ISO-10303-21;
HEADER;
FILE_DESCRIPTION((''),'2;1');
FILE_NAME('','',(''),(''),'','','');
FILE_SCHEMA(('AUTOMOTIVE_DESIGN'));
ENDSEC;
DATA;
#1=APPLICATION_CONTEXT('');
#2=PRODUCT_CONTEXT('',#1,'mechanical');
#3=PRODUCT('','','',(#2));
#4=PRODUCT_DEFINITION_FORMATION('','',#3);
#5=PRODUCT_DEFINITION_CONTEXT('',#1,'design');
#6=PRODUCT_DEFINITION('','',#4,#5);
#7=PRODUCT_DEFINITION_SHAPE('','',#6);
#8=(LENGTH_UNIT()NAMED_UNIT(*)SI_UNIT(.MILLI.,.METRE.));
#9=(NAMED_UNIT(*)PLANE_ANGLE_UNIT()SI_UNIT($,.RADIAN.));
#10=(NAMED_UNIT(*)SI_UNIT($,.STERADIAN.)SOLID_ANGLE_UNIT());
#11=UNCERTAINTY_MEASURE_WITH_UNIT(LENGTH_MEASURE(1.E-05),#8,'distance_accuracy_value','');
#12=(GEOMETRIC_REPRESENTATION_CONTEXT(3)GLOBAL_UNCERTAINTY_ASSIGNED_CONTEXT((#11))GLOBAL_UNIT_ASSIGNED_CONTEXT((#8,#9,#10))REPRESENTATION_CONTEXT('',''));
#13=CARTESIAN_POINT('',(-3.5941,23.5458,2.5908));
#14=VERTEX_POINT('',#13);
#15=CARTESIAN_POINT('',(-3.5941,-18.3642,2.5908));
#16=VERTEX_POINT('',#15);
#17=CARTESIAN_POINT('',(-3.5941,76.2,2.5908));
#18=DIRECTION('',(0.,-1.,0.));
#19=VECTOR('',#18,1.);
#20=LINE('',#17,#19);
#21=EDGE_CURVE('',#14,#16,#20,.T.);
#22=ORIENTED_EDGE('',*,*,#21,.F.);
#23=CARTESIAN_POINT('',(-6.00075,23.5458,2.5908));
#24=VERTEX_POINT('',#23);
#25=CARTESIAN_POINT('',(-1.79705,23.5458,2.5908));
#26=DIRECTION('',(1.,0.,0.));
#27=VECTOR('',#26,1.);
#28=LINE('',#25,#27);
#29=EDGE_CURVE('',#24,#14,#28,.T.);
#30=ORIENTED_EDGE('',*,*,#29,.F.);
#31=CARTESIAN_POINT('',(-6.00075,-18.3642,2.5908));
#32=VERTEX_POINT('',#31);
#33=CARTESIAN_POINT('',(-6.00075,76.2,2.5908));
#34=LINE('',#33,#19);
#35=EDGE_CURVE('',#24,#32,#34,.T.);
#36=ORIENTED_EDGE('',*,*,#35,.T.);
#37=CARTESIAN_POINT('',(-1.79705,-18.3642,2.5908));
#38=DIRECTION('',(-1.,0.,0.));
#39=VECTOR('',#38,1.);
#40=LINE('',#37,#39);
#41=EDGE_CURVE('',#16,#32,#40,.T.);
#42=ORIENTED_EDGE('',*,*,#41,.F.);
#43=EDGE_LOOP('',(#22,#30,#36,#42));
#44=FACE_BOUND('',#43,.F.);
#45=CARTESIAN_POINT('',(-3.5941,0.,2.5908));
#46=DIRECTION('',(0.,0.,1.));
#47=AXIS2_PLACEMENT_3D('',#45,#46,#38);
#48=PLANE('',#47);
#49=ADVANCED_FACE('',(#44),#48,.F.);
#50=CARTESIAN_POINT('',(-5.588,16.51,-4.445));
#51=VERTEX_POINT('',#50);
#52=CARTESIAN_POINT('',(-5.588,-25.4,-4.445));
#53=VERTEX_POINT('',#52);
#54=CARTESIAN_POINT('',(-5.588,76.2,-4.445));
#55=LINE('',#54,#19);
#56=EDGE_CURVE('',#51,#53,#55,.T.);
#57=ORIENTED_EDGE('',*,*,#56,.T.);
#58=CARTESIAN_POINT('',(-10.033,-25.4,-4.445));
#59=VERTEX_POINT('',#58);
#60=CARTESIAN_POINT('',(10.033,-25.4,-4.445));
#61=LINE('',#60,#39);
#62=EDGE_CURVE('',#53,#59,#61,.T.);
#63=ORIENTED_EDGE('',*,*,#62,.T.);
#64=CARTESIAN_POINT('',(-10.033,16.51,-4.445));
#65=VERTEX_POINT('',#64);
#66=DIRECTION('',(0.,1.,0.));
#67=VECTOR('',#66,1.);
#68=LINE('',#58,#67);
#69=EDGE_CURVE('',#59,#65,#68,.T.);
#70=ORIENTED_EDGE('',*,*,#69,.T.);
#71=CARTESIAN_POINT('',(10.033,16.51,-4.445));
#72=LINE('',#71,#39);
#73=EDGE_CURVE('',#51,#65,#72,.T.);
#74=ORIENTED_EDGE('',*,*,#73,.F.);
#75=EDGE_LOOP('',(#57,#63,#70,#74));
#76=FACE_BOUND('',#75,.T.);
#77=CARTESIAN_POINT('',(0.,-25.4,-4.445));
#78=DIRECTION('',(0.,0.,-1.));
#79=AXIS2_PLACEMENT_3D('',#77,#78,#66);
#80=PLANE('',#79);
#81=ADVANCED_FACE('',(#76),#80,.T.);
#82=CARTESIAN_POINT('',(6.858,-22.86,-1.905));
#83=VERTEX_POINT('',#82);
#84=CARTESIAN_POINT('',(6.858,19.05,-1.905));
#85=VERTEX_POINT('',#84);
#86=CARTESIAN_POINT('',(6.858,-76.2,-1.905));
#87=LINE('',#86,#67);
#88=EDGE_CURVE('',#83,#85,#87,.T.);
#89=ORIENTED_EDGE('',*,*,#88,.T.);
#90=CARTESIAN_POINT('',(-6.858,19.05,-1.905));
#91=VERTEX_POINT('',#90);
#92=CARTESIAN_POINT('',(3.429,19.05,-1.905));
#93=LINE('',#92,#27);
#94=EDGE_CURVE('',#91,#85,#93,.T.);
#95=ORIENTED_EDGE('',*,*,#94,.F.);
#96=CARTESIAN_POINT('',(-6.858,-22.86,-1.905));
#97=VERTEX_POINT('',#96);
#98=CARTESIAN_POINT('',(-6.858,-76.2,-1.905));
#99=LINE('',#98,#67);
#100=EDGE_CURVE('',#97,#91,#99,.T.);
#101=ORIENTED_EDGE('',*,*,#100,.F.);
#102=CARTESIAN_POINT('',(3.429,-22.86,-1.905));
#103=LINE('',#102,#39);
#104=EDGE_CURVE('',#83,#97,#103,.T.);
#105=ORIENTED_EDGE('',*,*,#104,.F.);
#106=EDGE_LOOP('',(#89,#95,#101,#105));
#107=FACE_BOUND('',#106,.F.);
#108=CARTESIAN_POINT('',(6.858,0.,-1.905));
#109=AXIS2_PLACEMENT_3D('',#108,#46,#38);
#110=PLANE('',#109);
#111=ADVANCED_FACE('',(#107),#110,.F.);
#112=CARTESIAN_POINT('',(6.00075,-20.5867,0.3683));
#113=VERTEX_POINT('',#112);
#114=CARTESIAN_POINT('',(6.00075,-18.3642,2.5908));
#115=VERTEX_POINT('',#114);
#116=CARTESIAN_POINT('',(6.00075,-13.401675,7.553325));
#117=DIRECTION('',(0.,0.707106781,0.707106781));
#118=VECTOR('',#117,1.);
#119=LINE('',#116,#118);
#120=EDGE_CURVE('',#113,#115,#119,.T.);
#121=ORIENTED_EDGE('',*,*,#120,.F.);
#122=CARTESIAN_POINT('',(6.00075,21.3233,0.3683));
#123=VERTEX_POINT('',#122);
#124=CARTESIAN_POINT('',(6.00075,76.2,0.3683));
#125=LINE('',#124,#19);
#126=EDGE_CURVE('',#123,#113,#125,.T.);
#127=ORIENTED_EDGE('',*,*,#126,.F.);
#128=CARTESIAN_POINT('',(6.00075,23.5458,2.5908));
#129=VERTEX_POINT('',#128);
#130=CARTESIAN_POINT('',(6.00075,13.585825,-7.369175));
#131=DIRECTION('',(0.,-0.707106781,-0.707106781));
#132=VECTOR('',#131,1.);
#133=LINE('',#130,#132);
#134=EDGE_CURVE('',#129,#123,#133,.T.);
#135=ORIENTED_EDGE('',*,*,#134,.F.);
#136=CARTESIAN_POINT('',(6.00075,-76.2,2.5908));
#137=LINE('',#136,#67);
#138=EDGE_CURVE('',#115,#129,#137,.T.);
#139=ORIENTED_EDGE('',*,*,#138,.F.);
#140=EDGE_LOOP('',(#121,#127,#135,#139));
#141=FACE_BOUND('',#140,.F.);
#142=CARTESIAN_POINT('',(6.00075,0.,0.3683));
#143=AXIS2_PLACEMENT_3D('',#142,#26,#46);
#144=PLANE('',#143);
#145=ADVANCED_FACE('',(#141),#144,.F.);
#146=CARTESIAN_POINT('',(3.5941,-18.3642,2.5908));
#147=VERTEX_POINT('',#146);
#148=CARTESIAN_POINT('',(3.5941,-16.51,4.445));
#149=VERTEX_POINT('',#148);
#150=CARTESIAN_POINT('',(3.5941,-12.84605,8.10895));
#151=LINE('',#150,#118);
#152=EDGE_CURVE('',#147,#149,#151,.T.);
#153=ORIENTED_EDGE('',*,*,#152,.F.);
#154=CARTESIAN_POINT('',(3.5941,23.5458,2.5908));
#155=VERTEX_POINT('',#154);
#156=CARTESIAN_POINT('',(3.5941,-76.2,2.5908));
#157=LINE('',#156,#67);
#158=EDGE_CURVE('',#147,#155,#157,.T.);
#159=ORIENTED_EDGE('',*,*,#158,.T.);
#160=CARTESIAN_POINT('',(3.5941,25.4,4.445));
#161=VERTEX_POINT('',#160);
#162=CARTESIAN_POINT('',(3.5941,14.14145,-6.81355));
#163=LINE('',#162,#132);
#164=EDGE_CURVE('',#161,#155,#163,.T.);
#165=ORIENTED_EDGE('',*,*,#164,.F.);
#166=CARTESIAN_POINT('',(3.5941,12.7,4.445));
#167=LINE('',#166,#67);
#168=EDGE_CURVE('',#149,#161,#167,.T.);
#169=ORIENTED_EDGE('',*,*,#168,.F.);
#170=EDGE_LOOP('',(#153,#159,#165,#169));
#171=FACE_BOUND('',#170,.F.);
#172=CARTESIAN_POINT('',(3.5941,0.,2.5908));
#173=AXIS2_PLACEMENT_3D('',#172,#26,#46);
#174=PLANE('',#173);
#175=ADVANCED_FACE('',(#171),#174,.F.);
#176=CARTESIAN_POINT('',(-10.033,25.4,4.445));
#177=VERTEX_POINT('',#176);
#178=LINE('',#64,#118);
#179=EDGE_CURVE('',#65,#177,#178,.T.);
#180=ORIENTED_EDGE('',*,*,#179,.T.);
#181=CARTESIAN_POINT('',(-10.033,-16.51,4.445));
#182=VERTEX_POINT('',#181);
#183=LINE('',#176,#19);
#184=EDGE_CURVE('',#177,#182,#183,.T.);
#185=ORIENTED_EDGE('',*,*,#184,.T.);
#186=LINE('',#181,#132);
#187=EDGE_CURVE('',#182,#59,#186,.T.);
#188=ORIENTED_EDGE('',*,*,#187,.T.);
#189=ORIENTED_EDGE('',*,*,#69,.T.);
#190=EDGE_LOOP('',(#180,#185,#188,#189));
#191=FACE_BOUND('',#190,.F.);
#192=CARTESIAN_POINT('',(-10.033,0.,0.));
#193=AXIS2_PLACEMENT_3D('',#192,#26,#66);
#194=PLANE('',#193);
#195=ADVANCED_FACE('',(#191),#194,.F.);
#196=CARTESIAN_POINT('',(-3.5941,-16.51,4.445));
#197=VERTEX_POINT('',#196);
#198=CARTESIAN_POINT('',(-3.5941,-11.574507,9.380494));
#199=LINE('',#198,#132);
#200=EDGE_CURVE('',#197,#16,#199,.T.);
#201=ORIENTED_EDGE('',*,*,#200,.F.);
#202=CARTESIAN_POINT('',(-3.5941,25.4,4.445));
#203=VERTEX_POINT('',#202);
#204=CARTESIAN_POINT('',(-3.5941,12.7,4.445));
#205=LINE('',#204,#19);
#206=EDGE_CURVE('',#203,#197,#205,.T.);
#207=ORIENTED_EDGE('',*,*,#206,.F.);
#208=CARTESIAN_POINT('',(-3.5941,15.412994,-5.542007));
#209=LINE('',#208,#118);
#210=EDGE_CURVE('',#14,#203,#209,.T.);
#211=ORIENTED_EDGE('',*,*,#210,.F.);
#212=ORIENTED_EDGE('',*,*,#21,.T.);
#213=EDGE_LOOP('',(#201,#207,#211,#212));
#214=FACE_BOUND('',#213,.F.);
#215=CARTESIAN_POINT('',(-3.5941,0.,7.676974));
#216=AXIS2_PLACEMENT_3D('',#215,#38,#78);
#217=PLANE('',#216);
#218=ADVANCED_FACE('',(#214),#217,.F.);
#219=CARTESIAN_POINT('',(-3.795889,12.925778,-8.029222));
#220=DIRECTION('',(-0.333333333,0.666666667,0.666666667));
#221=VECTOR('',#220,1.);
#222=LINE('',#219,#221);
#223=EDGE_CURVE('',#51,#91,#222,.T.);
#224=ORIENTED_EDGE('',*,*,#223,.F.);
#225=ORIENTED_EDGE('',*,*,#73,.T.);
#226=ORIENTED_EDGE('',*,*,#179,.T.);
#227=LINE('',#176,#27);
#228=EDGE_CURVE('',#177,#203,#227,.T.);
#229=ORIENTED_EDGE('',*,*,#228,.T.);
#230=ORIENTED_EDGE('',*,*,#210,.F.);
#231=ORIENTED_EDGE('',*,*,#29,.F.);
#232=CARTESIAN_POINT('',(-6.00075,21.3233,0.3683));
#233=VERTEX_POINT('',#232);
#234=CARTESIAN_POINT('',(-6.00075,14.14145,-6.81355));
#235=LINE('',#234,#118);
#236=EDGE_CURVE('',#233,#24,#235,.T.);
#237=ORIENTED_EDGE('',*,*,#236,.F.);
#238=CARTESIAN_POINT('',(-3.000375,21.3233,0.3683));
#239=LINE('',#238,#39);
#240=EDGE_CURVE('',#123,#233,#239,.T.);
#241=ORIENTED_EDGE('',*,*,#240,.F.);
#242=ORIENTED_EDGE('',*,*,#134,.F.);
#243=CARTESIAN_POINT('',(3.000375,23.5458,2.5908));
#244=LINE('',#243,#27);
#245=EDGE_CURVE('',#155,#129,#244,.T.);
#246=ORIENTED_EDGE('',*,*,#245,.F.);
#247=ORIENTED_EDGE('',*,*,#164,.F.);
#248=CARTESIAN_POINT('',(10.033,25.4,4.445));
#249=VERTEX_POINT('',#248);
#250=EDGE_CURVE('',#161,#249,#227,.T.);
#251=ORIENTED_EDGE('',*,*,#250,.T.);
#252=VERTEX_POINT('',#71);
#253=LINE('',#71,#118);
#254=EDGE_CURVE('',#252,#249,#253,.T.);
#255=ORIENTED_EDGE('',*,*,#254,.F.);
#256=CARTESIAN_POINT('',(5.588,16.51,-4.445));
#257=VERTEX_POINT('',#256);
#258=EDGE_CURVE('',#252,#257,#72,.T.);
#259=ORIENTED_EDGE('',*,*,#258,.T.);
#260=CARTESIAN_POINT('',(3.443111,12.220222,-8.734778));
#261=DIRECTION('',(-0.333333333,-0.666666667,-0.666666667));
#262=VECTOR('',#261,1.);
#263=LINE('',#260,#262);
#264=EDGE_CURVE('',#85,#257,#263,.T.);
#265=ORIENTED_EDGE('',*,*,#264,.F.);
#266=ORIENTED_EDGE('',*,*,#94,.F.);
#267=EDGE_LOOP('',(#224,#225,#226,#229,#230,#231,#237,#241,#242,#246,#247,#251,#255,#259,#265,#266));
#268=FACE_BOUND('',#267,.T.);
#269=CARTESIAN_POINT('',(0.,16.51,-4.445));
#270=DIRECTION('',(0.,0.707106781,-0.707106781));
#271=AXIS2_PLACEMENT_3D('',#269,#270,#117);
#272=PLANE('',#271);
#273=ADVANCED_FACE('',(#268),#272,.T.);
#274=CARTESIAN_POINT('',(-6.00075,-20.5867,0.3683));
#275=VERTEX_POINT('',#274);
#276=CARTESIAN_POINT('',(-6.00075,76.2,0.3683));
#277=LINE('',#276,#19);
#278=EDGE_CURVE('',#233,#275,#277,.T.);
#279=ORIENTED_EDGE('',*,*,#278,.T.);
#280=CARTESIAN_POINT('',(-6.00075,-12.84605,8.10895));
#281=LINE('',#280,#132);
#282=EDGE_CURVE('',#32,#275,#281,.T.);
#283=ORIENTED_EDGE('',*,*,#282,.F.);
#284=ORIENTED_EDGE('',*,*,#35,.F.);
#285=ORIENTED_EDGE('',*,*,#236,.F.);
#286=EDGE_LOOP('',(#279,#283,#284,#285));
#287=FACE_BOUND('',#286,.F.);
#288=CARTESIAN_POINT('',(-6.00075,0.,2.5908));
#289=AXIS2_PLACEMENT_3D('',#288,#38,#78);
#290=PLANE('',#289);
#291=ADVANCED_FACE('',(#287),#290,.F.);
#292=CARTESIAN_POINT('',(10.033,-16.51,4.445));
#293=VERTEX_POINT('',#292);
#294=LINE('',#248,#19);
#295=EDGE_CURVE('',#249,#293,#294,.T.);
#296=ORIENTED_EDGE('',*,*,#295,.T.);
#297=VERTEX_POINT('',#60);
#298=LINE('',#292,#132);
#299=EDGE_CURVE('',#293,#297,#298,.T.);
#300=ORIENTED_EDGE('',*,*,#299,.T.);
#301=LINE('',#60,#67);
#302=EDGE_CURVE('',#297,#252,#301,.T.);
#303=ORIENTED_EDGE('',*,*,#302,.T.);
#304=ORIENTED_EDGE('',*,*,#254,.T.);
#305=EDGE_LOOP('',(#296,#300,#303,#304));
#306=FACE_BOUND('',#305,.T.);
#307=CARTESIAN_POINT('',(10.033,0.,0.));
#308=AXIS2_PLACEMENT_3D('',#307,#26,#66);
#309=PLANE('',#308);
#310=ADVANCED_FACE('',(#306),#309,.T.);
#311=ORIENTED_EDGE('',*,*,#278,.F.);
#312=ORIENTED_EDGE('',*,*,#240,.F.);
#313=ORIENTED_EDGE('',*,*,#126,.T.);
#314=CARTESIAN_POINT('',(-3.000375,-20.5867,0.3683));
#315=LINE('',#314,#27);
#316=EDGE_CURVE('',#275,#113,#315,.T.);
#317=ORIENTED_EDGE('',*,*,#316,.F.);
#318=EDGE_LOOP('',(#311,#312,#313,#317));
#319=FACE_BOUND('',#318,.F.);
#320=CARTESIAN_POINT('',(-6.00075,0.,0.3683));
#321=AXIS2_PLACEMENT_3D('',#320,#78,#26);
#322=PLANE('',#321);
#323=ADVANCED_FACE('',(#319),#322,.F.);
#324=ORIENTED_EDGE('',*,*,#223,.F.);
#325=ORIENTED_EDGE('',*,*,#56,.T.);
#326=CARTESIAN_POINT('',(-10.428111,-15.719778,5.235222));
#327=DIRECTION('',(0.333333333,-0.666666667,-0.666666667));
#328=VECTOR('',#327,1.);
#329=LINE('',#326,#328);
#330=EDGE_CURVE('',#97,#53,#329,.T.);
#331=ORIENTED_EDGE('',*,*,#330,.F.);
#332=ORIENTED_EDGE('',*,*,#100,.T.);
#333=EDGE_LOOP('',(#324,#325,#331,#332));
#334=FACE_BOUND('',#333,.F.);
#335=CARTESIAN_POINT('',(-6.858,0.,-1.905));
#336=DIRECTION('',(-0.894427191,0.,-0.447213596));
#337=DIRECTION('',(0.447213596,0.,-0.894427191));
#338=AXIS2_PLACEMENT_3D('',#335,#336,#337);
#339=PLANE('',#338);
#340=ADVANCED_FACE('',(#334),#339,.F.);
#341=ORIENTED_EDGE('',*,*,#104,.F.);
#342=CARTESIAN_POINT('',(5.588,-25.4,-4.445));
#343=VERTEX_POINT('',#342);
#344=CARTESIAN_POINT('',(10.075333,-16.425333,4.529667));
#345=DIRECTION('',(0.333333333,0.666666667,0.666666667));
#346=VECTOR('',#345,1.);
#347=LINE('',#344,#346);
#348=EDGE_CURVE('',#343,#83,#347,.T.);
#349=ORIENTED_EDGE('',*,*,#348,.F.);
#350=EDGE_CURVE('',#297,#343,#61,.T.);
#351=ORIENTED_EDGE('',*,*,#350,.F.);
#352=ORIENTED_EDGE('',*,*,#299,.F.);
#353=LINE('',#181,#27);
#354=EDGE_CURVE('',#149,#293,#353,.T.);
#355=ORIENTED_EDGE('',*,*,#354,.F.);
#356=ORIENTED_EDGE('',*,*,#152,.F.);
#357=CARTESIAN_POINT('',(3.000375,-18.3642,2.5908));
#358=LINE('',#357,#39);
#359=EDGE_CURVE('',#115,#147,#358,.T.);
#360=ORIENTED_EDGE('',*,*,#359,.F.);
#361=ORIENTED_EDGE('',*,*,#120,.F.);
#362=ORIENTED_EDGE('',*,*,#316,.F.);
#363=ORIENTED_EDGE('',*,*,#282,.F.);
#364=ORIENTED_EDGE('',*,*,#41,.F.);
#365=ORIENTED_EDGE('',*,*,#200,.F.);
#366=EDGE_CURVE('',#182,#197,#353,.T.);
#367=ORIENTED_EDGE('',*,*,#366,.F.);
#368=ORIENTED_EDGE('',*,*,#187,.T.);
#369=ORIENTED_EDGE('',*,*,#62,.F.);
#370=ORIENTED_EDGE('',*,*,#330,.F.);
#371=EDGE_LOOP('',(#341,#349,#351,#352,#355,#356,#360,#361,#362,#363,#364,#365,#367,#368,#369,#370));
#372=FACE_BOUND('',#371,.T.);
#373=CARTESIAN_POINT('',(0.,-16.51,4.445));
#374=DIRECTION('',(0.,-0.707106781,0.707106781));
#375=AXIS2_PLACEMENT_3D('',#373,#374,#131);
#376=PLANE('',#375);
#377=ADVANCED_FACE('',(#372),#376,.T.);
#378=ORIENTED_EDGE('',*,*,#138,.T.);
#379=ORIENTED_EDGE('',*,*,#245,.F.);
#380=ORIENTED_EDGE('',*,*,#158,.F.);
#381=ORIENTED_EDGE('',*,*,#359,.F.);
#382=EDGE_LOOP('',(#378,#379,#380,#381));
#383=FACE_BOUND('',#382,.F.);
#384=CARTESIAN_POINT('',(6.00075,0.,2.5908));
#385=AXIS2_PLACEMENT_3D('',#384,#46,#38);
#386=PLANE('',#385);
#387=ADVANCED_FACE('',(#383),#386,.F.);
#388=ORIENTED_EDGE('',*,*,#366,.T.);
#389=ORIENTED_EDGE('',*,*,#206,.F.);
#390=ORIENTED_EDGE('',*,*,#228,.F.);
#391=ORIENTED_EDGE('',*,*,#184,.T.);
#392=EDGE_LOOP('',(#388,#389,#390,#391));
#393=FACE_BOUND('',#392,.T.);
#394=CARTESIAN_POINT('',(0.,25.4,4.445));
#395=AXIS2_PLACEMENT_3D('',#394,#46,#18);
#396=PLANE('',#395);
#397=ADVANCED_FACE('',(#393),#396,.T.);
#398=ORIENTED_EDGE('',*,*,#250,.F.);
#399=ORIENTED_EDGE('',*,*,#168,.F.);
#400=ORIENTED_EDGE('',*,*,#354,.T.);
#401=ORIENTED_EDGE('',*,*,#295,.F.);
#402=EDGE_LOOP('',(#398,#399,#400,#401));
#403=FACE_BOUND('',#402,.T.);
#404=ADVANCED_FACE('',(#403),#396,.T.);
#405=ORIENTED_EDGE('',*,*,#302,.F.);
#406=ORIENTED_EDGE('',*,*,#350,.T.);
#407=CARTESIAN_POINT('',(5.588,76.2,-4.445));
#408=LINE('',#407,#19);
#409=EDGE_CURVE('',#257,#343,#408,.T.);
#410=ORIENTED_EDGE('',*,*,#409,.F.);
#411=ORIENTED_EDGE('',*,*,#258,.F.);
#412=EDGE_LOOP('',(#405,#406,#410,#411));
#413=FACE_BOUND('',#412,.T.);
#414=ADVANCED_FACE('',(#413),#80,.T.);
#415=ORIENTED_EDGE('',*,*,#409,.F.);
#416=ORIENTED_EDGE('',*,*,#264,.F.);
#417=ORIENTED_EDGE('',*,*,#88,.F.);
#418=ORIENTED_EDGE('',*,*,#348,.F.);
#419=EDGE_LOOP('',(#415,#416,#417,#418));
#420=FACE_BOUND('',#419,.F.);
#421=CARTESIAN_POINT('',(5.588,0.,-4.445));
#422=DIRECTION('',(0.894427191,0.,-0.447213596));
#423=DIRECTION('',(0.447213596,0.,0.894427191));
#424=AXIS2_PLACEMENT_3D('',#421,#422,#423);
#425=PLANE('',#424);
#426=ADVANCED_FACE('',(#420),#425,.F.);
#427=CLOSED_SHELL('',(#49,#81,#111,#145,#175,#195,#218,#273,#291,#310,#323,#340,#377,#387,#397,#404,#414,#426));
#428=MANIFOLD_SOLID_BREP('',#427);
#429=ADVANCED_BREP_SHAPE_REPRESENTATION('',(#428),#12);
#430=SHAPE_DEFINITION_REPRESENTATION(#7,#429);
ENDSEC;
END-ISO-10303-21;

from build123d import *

# Parameters (mm, degrees)
F1_DEPTH = 10.033
F3_DEPTH = 76.2
F5_DEPTH = 76.2


with BuildPart() as f1:
    # F0 (on Right) → F1 (new body, symmetric)
    with BuildSketch(Plane.YZ):
        Polygon((16.51, -4.445), (25.4, 4.445), (-16.51, 4.445), (-25.4, -4.445), align=None)
    extrude(amount=F1_DEPTH, both=True)

    # F2 (on Front) → F3 (cut, symmetric)
    with BuildSketch(Plane.XZ):
        Polygon((3.5941, 7.676974), (-3.5941, 7.676974), (-3.5941, 2.5908), (-6.00075, 2.5908), (-6.00075, 0.3683), (6.00075, 0.3683), (6.00075, 2.5908), (3.5941, 2.5908), align=None)
    extrude(amount=F3_DEPTH, both=True, mode=Mode.SUBTRACT)

    # F4 (on Front) → F5 (cut, symmetric)
    with BuildSketch(Plane.XZ):
        Polygon((-6.858, -1.905), (-5.588, -4.445), (5.588, -4.445), (6.858, -1.905), align=None)
    extrude(amount=F5_DEPTH, both=True, mode=Mode.SUBTRACT)


solid = f1.part
